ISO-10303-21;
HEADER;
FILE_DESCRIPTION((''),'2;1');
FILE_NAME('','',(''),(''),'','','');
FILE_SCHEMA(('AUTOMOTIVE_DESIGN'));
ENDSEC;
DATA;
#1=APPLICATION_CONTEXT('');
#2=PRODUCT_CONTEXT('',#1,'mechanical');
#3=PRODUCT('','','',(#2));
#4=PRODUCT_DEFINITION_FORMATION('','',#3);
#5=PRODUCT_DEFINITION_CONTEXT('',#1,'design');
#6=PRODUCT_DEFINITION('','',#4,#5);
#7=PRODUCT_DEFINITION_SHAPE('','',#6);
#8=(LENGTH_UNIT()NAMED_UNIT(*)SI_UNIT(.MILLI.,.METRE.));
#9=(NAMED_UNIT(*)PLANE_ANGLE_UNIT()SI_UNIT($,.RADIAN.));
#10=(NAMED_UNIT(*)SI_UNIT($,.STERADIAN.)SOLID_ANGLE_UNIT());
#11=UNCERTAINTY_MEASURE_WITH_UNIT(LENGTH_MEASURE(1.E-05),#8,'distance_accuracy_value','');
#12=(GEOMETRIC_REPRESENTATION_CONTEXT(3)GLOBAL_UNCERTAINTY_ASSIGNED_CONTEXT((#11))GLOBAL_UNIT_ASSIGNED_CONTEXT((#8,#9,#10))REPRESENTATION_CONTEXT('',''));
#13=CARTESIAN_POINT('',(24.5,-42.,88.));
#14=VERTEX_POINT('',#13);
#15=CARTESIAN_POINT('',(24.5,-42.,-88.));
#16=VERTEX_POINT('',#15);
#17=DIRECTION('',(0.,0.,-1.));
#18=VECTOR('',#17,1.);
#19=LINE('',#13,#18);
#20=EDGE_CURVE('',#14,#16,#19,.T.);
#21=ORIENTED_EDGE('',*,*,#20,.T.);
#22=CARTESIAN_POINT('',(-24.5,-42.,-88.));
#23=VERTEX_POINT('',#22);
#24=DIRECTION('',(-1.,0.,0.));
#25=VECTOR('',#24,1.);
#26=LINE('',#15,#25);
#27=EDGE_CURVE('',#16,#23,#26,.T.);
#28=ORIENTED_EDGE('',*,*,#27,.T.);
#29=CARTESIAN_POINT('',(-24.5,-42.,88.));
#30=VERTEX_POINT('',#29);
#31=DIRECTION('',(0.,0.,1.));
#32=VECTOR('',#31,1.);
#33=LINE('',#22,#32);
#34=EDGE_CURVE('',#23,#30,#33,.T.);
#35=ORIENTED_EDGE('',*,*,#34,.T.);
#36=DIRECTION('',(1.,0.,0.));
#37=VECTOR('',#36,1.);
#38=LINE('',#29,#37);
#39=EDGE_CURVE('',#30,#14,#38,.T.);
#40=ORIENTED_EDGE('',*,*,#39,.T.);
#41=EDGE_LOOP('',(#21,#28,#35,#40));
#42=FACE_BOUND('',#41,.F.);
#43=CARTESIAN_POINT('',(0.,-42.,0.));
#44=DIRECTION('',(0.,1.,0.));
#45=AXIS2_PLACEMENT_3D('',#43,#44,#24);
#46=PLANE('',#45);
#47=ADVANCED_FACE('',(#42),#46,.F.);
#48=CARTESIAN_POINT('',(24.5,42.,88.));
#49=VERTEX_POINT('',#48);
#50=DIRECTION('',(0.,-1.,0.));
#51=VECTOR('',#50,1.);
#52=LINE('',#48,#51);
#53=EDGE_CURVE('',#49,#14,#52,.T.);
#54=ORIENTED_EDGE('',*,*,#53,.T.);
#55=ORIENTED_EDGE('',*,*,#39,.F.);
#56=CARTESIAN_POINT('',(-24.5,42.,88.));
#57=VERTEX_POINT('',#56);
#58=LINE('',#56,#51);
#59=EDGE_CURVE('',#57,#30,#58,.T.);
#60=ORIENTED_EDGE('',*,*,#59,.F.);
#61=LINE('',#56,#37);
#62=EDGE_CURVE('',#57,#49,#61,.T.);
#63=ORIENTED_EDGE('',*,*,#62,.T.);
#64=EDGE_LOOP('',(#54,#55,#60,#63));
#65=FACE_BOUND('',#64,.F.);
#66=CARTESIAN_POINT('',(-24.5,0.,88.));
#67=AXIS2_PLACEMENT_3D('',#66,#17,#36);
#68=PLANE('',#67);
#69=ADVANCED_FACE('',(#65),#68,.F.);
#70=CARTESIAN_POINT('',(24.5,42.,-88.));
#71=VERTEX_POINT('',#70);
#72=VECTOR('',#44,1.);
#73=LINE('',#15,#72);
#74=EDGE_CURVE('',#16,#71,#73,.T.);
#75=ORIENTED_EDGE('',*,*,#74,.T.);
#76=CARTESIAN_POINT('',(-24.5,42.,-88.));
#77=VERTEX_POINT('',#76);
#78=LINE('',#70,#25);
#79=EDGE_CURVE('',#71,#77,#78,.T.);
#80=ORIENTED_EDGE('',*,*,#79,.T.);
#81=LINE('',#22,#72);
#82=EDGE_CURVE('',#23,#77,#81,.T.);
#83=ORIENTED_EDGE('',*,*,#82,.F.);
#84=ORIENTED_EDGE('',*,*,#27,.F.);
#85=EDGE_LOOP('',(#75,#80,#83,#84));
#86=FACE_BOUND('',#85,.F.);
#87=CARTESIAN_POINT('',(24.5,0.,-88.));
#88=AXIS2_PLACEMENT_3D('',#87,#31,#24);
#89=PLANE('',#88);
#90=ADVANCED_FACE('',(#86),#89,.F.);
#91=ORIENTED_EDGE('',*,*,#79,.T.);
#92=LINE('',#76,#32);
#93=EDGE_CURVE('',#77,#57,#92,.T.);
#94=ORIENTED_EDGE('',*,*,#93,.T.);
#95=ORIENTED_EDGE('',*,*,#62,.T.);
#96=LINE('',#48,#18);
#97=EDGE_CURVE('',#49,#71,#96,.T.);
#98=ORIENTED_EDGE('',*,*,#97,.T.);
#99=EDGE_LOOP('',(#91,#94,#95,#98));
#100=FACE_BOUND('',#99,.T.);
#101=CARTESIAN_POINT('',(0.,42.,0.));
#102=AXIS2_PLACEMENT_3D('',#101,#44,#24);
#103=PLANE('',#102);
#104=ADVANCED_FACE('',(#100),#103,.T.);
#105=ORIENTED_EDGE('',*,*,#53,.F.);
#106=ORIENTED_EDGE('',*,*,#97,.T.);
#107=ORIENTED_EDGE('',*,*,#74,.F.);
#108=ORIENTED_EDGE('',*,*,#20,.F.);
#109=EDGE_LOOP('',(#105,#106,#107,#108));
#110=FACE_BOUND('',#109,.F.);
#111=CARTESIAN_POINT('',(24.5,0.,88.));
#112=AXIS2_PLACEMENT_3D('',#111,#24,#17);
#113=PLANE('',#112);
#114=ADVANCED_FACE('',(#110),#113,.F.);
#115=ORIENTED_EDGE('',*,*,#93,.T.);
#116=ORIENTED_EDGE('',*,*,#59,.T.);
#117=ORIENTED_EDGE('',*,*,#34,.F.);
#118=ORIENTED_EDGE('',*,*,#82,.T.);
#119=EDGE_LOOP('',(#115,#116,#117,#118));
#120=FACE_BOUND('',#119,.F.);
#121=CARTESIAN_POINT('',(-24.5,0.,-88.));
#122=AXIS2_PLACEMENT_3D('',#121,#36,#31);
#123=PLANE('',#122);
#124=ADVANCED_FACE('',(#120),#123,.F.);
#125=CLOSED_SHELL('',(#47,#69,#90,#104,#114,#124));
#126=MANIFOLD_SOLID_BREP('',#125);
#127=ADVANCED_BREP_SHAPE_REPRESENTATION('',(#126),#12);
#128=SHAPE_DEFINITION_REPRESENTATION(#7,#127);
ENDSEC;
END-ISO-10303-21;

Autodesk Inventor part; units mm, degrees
ref_plane "YZ Plane" through (0, 0, 0) normal (1, 0, 0) x (0, 1, 0)
ref_plane "XZ Plane" through (0, 0, 0) normal (0, 1, 0) x (-1, 0, 0)
ref_plane "XY Plane" through (0, 0, 0) normal (0, 0, 1) x (1, 0, 0)
sketch "Эскиз1" plane through (0, 0, 0) normal (0, 1, 0) x (-1, 0, 0)
  line L0 (-24.5, -88) -> (24.5, -88)
  line L1 (24.5, -88) -> (24.5, 88)
  line L2 (24.5, 88) -> (-24.5, 88)
  line L3 (-24.5, 88) -> (-24.5, -88)
  line L4 (-24.5, -88) -> (24.5, 88) construction
  line L5 (24.5, -88) -> (-24.5, 88) construction
  point P0 (0, 0)
  dimension "d0" = 49
  dimension "d1" = 176
extrude "Выдавливание1" add sketch "Эскиз1" along normal mid plane 84
properties part number "Lipo Battery 9500mAh 29.6V"
